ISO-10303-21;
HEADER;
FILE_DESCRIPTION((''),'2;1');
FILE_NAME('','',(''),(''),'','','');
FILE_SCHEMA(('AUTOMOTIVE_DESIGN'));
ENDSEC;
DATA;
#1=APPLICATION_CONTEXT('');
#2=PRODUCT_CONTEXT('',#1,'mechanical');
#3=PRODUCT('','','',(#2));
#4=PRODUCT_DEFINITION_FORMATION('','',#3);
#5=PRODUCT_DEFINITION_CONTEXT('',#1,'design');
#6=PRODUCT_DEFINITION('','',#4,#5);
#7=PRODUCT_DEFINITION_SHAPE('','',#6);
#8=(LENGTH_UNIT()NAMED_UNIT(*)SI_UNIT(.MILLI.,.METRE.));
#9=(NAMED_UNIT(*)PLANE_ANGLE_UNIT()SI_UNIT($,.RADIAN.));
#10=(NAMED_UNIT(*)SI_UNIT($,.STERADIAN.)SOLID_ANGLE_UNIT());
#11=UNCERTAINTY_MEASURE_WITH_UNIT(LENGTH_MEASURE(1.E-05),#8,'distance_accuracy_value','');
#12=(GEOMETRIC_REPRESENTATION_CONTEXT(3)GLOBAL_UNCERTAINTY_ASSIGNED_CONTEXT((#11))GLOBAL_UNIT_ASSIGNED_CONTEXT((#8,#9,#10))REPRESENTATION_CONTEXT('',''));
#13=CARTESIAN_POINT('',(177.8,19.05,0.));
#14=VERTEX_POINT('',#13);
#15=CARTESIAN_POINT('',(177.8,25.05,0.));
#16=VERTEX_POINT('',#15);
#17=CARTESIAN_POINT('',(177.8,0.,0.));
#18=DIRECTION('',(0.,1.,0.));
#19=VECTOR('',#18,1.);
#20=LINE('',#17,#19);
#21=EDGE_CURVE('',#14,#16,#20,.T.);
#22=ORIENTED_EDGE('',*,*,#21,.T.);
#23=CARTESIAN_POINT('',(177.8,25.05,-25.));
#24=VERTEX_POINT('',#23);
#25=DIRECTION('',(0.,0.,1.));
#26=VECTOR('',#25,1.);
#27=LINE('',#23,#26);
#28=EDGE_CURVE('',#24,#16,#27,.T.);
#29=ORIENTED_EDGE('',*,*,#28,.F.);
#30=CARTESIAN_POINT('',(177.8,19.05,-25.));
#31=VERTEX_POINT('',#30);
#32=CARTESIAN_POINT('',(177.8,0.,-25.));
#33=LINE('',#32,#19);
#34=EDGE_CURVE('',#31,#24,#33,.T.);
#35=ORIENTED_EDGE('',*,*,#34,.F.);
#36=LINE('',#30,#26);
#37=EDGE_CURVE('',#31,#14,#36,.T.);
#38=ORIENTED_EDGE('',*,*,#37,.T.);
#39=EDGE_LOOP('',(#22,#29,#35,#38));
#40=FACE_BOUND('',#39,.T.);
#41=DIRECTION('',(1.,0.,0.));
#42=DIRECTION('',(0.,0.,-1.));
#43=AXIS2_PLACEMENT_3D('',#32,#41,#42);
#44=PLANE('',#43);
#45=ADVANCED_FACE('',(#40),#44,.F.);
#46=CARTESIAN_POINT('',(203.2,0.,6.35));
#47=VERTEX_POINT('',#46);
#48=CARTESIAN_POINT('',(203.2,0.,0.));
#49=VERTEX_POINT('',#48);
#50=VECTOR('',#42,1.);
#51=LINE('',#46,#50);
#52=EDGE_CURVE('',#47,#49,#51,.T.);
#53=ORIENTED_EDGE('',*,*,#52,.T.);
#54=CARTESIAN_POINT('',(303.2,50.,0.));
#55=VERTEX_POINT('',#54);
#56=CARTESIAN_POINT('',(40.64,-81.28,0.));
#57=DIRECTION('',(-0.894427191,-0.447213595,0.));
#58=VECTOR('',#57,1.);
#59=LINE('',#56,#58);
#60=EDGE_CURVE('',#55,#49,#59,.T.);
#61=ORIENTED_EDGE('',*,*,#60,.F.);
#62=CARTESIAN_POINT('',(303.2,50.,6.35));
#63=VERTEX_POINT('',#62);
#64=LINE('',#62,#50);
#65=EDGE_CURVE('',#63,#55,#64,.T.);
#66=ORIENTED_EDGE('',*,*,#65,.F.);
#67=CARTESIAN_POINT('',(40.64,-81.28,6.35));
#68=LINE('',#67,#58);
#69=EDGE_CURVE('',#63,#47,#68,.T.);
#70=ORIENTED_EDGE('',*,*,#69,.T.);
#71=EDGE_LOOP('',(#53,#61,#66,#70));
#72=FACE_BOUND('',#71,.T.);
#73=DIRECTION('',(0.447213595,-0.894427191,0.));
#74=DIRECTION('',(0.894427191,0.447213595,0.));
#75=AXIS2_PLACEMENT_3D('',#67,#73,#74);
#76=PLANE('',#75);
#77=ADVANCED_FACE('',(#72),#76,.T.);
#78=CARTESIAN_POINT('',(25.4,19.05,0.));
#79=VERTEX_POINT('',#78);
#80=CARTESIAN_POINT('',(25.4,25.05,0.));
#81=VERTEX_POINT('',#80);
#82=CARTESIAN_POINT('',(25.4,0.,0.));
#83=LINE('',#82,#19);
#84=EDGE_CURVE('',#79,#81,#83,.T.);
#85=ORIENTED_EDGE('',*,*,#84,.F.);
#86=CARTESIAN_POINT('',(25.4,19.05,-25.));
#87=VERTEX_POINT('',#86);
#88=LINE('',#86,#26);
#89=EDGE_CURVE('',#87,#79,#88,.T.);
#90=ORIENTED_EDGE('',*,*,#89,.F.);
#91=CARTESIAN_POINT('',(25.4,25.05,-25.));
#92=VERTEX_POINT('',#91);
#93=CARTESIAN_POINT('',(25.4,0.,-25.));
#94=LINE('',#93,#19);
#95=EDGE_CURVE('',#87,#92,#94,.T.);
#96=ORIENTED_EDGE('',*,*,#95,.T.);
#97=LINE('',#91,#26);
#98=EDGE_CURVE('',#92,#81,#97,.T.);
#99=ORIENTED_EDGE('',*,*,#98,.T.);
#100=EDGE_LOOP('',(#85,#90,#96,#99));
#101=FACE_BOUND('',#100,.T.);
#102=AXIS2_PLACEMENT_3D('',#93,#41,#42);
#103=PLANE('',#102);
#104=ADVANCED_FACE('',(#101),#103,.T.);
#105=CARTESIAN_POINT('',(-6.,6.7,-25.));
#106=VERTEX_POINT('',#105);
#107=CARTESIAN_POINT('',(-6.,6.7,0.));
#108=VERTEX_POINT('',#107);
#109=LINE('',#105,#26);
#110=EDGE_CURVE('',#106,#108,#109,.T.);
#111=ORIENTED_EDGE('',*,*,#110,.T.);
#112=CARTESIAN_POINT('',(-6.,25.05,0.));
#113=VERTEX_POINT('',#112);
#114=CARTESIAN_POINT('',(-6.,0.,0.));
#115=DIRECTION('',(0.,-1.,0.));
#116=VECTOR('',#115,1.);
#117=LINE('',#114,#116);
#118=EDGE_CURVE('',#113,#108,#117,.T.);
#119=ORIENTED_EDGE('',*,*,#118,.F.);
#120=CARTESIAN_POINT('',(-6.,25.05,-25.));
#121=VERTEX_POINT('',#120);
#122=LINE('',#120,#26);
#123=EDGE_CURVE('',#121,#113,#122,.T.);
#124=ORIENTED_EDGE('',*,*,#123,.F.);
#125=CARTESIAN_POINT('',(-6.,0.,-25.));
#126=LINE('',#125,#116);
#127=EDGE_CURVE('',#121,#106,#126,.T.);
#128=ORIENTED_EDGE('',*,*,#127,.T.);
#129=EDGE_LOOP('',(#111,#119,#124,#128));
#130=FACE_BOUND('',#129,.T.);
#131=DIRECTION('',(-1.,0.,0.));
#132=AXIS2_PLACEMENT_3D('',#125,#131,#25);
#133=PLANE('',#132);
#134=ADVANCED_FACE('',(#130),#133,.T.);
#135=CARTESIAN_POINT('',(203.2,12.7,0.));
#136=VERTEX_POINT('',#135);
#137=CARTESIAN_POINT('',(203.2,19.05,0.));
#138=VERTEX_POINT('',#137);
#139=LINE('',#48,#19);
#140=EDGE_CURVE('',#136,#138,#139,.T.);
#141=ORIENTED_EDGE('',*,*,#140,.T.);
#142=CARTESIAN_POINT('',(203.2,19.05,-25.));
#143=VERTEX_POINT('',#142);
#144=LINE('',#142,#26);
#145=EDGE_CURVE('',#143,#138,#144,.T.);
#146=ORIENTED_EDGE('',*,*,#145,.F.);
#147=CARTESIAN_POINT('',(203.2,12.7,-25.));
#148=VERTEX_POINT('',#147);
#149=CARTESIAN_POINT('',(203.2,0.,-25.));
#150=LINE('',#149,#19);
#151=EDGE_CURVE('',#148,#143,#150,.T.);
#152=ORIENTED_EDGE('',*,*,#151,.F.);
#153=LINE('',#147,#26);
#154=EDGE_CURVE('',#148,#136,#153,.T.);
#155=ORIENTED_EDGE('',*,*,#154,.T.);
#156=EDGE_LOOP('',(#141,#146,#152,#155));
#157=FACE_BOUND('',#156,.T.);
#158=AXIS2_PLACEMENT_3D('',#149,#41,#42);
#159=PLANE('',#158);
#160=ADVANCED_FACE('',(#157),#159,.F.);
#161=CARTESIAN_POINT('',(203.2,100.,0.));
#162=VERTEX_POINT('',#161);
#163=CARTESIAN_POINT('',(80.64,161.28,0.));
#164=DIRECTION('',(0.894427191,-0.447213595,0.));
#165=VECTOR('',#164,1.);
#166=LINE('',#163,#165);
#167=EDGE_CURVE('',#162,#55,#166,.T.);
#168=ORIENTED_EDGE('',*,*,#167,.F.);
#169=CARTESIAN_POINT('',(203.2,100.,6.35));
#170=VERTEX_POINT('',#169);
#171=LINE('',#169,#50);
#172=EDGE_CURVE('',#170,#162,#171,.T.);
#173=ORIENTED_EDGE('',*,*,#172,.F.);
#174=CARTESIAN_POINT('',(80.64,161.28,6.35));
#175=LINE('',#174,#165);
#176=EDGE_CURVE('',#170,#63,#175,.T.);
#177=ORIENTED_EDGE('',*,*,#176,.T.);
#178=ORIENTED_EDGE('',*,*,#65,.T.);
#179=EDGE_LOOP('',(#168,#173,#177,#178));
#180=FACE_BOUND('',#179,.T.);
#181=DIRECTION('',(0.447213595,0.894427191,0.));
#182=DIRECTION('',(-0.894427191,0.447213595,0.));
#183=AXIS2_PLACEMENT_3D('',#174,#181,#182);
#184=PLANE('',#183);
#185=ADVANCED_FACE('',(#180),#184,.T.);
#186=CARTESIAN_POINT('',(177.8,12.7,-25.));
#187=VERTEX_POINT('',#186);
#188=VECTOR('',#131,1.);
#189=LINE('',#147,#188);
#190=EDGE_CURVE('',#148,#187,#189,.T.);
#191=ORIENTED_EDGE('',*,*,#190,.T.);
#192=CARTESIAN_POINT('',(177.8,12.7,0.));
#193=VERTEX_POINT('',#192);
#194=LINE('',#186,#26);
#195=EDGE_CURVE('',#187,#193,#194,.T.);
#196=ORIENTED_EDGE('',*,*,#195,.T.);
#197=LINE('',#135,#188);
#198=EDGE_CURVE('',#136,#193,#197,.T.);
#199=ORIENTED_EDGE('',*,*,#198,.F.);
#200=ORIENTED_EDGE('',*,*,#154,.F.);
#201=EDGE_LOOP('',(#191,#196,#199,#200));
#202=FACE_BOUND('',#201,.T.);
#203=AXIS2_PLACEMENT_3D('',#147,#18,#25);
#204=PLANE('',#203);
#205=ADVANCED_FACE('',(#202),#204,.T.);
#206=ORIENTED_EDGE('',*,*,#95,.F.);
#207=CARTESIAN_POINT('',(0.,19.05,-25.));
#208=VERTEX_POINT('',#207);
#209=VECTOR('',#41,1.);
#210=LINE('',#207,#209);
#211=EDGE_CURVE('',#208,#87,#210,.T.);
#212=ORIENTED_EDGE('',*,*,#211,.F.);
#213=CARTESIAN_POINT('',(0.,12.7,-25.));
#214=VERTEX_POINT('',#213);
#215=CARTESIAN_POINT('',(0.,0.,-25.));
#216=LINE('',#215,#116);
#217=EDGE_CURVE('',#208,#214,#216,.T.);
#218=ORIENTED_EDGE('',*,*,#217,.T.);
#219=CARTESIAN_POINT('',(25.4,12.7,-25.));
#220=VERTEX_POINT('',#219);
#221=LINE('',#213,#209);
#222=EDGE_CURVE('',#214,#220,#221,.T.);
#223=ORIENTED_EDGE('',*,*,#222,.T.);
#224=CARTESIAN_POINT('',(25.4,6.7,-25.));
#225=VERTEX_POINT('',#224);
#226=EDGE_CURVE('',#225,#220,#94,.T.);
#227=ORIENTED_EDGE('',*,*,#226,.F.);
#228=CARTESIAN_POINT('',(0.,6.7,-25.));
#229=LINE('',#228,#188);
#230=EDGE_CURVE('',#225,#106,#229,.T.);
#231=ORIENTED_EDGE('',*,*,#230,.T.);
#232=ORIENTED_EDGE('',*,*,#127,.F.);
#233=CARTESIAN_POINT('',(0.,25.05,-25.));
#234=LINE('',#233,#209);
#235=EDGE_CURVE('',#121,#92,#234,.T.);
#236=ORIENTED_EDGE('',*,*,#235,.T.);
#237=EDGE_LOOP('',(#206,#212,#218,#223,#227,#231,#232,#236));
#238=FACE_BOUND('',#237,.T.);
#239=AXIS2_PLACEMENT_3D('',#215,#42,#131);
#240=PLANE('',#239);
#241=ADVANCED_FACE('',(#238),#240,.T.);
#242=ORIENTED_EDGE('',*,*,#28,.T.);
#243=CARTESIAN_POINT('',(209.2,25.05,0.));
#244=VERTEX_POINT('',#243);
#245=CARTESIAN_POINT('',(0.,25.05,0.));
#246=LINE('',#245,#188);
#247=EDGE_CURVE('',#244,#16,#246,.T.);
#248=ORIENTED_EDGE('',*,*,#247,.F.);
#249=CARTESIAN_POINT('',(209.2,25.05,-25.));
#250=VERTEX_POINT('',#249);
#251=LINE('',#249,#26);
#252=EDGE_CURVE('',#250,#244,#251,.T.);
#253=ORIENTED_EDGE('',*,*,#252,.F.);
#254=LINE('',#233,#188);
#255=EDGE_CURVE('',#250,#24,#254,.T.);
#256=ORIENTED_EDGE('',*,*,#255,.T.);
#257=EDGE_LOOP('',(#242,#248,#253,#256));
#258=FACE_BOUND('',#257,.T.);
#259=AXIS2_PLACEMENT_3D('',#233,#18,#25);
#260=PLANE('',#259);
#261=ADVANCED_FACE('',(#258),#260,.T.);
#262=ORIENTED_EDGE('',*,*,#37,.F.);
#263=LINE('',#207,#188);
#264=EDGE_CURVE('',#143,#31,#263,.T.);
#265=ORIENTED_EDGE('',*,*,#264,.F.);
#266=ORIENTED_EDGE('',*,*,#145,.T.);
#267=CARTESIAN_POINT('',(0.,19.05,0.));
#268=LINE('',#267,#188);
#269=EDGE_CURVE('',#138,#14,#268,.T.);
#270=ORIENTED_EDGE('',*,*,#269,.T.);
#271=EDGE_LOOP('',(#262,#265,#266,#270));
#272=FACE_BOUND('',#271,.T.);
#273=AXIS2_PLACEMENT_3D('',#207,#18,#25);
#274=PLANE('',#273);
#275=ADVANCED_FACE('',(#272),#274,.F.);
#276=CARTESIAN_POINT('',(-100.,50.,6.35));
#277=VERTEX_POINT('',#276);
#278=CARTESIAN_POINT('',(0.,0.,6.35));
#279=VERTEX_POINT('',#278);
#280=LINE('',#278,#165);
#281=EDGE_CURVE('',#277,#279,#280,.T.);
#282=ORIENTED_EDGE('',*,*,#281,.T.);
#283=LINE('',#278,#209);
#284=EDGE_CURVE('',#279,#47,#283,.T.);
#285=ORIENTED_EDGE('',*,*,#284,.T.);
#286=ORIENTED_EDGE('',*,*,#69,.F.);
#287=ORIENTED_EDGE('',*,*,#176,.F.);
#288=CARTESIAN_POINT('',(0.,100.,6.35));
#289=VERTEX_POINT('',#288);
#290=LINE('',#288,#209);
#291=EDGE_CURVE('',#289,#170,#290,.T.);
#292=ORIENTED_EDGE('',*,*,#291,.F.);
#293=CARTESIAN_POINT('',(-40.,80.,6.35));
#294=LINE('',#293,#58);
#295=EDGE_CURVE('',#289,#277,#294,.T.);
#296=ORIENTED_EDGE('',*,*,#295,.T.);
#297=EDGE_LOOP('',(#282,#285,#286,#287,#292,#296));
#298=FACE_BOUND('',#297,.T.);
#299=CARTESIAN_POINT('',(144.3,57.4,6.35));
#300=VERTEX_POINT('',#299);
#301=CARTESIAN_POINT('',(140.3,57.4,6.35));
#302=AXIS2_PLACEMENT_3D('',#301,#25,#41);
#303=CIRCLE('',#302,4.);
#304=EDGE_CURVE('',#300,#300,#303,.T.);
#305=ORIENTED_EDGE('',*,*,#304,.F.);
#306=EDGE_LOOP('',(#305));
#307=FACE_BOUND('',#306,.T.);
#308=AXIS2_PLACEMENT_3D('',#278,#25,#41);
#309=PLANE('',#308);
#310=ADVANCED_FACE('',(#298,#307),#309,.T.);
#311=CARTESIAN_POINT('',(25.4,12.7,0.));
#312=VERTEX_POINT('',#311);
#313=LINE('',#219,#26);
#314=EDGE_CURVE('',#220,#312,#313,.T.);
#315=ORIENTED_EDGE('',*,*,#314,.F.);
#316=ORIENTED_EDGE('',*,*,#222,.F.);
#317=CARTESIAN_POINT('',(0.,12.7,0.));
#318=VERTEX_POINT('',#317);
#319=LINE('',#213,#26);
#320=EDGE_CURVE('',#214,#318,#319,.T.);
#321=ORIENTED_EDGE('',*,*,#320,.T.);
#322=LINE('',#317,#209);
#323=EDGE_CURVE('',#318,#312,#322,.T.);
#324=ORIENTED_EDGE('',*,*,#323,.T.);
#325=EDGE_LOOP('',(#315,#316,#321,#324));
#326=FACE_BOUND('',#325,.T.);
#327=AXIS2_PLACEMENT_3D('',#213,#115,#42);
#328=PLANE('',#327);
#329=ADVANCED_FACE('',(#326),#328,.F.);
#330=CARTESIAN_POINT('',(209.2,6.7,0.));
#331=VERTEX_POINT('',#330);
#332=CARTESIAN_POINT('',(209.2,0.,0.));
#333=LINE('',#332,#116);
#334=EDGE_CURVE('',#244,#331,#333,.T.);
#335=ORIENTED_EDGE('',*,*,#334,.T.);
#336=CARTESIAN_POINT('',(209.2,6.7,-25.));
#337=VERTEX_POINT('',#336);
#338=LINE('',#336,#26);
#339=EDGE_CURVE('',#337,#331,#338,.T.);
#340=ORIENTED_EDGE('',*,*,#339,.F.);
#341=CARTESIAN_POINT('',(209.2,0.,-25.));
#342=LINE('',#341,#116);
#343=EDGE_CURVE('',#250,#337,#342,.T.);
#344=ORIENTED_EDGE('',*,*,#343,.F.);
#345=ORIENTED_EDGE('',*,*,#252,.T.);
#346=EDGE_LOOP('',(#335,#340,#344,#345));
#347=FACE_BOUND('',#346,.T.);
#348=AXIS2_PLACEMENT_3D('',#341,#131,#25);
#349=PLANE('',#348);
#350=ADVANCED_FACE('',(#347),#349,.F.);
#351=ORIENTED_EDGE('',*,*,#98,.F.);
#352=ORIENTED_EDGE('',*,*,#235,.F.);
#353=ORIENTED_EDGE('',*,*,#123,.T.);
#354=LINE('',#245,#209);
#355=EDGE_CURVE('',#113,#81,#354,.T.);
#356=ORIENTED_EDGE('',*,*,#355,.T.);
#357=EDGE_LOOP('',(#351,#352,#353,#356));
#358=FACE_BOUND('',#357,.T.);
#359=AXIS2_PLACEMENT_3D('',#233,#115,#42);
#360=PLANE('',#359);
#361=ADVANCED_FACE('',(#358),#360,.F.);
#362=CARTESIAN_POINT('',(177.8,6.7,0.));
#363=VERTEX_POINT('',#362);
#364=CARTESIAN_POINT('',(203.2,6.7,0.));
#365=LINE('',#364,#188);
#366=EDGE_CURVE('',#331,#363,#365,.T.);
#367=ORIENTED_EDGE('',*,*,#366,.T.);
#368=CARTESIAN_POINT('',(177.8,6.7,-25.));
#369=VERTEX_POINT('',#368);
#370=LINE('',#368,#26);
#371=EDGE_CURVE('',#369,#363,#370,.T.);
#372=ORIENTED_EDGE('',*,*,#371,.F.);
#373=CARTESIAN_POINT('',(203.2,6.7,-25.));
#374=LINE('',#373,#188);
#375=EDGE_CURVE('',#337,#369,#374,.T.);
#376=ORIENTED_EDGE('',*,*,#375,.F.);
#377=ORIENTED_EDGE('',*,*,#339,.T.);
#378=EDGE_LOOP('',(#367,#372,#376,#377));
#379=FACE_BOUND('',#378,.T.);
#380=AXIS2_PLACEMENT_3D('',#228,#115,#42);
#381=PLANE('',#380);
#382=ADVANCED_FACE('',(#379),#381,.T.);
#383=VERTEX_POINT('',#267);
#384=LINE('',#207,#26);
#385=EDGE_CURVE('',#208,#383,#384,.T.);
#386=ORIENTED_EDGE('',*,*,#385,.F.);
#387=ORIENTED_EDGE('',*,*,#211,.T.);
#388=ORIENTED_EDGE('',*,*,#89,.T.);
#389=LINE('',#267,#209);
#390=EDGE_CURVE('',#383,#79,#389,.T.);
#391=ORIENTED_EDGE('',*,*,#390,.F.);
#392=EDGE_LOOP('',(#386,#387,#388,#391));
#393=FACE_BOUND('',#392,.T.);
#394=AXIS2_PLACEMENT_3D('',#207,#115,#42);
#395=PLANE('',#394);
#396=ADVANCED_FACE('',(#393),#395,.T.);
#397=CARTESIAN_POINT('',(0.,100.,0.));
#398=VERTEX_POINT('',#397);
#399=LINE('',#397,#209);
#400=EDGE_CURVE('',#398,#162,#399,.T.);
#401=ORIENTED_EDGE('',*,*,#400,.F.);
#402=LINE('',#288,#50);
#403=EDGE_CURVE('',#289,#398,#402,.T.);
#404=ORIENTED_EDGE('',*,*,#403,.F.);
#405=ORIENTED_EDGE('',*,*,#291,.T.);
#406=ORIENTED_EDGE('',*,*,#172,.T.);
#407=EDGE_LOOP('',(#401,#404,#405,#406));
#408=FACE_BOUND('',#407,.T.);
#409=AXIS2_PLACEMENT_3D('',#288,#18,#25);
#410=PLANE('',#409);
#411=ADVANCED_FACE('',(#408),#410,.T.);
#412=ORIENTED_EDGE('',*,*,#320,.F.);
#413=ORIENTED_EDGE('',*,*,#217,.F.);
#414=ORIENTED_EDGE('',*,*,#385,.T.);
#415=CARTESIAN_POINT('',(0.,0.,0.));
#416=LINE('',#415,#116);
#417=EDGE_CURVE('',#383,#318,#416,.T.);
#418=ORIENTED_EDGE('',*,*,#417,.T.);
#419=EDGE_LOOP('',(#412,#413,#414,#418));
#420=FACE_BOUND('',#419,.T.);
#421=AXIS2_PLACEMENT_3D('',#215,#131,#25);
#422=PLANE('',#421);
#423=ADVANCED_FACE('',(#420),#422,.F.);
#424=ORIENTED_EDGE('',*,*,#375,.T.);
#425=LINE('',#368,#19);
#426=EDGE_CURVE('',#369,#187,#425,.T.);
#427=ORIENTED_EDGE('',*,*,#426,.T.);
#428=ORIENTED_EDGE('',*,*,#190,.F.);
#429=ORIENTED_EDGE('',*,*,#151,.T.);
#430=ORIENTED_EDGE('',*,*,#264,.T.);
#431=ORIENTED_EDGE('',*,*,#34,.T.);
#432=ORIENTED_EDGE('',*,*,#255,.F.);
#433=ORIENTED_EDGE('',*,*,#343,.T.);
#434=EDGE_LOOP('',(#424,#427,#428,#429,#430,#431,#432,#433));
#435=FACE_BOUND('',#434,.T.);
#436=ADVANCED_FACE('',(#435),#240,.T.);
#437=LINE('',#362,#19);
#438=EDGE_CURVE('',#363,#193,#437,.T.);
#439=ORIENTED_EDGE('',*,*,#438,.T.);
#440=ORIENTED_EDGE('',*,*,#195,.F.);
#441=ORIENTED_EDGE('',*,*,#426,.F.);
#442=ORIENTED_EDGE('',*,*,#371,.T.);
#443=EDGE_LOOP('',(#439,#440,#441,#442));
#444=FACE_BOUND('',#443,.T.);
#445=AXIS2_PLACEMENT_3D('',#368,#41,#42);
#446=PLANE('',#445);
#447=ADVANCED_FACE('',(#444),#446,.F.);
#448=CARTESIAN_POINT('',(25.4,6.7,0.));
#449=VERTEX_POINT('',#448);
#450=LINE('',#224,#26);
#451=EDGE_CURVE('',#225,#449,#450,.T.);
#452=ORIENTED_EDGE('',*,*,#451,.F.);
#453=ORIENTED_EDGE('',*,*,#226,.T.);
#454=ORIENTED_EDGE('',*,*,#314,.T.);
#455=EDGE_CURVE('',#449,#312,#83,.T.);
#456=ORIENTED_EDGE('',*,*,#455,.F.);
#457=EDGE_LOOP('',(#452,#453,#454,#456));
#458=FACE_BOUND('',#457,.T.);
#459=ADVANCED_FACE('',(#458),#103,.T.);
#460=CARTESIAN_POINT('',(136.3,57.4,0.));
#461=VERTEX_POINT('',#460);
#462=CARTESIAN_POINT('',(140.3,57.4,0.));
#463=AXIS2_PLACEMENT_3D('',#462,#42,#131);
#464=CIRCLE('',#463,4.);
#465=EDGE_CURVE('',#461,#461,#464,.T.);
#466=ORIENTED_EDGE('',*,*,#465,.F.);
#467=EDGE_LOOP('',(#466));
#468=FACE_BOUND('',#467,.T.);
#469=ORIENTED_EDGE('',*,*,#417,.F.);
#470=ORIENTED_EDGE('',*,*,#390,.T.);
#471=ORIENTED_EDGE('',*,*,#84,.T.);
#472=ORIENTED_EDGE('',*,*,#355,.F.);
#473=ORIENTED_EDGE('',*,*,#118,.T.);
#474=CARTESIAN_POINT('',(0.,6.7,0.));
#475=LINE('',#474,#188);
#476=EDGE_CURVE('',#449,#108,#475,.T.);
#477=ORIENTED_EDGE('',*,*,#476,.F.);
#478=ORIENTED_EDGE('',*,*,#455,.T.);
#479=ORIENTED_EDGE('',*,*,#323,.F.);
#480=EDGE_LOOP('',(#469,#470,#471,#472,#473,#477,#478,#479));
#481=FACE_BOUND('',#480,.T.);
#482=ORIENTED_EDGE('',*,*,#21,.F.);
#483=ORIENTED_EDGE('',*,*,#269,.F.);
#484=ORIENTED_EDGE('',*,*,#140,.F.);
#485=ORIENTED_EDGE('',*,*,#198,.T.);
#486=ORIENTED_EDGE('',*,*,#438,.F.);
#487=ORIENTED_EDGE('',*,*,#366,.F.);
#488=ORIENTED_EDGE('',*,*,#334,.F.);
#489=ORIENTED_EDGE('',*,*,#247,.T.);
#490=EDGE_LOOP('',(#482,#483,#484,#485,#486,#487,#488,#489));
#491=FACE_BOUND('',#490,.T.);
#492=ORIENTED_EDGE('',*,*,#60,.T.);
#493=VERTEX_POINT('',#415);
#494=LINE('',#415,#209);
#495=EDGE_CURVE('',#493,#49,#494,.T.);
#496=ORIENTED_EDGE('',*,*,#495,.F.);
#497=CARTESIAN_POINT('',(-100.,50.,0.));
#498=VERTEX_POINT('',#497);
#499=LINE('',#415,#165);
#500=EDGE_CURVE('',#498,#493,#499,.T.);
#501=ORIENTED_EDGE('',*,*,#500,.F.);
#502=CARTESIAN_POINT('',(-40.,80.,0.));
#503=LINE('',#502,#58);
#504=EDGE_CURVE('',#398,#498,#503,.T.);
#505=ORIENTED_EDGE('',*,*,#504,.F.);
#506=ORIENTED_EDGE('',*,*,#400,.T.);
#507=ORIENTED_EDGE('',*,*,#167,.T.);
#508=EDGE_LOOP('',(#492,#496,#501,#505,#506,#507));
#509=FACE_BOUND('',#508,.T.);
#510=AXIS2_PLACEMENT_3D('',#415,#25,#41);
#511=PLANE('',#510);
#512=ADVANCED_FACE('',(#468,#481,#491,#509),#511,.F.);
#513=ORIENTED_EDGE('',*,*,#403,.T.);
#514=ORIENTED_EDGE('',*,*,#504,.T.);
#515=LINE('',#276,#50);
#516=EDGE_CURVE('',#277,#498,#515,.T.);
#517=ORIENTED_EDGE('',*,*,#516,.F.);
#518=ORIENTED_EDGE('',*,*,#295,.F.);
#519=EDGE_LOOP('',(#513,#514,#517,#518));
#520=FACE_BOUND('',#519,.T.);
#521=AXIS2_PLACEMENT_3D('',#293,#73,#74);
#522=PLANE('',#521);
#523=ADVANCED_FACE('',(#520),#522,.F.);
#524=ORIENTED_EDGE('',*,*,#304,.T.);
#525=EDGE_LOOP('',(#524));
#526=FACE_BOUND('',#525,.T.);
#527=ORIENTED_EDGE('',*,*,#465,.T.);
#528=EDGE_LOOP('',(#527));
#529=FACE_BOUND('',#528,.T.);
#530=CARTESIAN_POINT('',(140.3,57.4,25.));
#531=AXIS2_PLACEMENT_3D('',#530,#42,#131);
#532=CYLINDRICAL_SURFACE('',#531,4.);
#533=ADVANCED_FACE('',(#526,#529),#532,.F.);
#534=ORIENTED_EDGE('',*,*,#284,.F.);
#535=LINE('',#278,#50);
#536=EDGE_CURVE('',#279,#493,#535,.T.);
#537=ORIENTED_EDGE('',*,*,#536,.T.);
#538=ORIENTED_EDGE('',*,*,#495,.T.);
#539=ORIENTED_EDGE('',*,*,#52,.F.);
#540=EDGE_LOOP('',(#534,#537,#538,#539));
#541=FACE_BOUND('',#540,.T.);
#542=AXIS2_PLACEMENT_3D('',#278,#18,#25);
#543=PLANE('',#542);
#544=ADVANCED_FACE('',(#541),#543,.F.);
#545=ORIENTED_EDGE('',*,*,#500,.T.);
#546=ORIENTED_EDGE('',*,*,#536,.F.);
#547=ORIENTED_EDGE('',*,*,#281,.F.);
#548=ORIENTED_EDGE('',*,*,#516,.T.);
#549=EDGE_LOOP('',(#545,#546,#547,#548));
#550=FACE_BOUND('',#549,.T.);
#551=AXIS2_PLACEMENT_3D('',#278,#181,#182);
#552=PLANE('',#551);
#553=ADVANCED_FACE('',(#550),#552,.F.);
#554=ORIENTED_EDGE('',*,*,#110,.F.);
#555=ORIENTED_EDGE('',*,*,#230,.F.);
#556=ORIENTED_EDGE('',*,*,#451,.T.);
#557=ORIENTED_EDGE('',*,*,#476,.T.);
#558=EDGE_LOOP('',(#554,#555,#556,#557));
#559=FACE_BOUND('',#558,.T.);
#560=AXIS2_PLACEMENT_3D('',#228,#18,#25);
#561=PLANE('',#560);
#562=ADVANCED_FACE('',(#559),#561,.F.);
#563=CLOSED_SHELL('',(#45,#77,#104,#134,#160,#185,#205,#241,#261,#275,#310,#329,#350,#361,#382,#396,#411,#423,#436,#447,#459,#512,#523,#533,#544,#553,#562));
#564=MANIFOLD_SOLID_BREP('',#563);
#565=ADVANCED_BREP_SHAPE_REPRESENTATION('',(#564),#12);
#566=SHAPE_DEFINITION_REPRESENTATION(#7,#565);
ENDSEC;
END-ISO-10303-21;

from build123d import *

# Parameters (mm, degrees)
BOSS_EXTRUDE1_DEPTH = 6.35
BOSS_EXTRUDE3_DEPTH = 25
SKETCH3_R           = 4
CUT_EXTRUDE1_DEPTH  = 25


with BuildPart() as part:
    # Sketch1 → Boss-Extrude1 (new body)
    with BuildSketch(Plane.XY):
        Polygon((0, 0), (203.2, 0), (303.2, 50), (203.2, 100), (0, 100), (-100, 50), align=None)
    extrude(amount=BOSS_EXTRUDE1_DEPTH)

    # Sketch2 → Boss-Extrude3 (add)
    with BuildSketch(Plane(origin=(0, 0, 0), x_dir=(-1, 0, 0), z_dir=(0, 0, -1))):
        Polygon((-177.8, 12.7), (-203.2, 12.7), (-203.2, 19.05), (-177.8, 19.05), (-177.8, 25.05), (-209.2, 25.05), (-209.2, 6.7), (-177.8, 6.7), align=None)
        Polygon((6, 6.7), (6, 25.05), (-25.4, 25.05), (-25.4, 19.05), (0, 19.05), (0, 12.7), (-25.4, 12.7), (-25.4, 6.7), align=None)
    extrude(amount=BOSS_EXTRUDE3_DEPTH)

    # Sketch3 → Cut-Extrude1 (cut)
    with BuildSketch(Plane(origin=(0, 0, 0), x_dir=(-1, 0, 0), z_dir=(0, 0, -1))):
        with Locations((-140.3, 57.4)):
            Circle(SKETCH3_R)
    extrude(amount=-CUT_EXTRUDE1_DEPTH, mode=Mode.SUBTRACT)


solid = part.part
